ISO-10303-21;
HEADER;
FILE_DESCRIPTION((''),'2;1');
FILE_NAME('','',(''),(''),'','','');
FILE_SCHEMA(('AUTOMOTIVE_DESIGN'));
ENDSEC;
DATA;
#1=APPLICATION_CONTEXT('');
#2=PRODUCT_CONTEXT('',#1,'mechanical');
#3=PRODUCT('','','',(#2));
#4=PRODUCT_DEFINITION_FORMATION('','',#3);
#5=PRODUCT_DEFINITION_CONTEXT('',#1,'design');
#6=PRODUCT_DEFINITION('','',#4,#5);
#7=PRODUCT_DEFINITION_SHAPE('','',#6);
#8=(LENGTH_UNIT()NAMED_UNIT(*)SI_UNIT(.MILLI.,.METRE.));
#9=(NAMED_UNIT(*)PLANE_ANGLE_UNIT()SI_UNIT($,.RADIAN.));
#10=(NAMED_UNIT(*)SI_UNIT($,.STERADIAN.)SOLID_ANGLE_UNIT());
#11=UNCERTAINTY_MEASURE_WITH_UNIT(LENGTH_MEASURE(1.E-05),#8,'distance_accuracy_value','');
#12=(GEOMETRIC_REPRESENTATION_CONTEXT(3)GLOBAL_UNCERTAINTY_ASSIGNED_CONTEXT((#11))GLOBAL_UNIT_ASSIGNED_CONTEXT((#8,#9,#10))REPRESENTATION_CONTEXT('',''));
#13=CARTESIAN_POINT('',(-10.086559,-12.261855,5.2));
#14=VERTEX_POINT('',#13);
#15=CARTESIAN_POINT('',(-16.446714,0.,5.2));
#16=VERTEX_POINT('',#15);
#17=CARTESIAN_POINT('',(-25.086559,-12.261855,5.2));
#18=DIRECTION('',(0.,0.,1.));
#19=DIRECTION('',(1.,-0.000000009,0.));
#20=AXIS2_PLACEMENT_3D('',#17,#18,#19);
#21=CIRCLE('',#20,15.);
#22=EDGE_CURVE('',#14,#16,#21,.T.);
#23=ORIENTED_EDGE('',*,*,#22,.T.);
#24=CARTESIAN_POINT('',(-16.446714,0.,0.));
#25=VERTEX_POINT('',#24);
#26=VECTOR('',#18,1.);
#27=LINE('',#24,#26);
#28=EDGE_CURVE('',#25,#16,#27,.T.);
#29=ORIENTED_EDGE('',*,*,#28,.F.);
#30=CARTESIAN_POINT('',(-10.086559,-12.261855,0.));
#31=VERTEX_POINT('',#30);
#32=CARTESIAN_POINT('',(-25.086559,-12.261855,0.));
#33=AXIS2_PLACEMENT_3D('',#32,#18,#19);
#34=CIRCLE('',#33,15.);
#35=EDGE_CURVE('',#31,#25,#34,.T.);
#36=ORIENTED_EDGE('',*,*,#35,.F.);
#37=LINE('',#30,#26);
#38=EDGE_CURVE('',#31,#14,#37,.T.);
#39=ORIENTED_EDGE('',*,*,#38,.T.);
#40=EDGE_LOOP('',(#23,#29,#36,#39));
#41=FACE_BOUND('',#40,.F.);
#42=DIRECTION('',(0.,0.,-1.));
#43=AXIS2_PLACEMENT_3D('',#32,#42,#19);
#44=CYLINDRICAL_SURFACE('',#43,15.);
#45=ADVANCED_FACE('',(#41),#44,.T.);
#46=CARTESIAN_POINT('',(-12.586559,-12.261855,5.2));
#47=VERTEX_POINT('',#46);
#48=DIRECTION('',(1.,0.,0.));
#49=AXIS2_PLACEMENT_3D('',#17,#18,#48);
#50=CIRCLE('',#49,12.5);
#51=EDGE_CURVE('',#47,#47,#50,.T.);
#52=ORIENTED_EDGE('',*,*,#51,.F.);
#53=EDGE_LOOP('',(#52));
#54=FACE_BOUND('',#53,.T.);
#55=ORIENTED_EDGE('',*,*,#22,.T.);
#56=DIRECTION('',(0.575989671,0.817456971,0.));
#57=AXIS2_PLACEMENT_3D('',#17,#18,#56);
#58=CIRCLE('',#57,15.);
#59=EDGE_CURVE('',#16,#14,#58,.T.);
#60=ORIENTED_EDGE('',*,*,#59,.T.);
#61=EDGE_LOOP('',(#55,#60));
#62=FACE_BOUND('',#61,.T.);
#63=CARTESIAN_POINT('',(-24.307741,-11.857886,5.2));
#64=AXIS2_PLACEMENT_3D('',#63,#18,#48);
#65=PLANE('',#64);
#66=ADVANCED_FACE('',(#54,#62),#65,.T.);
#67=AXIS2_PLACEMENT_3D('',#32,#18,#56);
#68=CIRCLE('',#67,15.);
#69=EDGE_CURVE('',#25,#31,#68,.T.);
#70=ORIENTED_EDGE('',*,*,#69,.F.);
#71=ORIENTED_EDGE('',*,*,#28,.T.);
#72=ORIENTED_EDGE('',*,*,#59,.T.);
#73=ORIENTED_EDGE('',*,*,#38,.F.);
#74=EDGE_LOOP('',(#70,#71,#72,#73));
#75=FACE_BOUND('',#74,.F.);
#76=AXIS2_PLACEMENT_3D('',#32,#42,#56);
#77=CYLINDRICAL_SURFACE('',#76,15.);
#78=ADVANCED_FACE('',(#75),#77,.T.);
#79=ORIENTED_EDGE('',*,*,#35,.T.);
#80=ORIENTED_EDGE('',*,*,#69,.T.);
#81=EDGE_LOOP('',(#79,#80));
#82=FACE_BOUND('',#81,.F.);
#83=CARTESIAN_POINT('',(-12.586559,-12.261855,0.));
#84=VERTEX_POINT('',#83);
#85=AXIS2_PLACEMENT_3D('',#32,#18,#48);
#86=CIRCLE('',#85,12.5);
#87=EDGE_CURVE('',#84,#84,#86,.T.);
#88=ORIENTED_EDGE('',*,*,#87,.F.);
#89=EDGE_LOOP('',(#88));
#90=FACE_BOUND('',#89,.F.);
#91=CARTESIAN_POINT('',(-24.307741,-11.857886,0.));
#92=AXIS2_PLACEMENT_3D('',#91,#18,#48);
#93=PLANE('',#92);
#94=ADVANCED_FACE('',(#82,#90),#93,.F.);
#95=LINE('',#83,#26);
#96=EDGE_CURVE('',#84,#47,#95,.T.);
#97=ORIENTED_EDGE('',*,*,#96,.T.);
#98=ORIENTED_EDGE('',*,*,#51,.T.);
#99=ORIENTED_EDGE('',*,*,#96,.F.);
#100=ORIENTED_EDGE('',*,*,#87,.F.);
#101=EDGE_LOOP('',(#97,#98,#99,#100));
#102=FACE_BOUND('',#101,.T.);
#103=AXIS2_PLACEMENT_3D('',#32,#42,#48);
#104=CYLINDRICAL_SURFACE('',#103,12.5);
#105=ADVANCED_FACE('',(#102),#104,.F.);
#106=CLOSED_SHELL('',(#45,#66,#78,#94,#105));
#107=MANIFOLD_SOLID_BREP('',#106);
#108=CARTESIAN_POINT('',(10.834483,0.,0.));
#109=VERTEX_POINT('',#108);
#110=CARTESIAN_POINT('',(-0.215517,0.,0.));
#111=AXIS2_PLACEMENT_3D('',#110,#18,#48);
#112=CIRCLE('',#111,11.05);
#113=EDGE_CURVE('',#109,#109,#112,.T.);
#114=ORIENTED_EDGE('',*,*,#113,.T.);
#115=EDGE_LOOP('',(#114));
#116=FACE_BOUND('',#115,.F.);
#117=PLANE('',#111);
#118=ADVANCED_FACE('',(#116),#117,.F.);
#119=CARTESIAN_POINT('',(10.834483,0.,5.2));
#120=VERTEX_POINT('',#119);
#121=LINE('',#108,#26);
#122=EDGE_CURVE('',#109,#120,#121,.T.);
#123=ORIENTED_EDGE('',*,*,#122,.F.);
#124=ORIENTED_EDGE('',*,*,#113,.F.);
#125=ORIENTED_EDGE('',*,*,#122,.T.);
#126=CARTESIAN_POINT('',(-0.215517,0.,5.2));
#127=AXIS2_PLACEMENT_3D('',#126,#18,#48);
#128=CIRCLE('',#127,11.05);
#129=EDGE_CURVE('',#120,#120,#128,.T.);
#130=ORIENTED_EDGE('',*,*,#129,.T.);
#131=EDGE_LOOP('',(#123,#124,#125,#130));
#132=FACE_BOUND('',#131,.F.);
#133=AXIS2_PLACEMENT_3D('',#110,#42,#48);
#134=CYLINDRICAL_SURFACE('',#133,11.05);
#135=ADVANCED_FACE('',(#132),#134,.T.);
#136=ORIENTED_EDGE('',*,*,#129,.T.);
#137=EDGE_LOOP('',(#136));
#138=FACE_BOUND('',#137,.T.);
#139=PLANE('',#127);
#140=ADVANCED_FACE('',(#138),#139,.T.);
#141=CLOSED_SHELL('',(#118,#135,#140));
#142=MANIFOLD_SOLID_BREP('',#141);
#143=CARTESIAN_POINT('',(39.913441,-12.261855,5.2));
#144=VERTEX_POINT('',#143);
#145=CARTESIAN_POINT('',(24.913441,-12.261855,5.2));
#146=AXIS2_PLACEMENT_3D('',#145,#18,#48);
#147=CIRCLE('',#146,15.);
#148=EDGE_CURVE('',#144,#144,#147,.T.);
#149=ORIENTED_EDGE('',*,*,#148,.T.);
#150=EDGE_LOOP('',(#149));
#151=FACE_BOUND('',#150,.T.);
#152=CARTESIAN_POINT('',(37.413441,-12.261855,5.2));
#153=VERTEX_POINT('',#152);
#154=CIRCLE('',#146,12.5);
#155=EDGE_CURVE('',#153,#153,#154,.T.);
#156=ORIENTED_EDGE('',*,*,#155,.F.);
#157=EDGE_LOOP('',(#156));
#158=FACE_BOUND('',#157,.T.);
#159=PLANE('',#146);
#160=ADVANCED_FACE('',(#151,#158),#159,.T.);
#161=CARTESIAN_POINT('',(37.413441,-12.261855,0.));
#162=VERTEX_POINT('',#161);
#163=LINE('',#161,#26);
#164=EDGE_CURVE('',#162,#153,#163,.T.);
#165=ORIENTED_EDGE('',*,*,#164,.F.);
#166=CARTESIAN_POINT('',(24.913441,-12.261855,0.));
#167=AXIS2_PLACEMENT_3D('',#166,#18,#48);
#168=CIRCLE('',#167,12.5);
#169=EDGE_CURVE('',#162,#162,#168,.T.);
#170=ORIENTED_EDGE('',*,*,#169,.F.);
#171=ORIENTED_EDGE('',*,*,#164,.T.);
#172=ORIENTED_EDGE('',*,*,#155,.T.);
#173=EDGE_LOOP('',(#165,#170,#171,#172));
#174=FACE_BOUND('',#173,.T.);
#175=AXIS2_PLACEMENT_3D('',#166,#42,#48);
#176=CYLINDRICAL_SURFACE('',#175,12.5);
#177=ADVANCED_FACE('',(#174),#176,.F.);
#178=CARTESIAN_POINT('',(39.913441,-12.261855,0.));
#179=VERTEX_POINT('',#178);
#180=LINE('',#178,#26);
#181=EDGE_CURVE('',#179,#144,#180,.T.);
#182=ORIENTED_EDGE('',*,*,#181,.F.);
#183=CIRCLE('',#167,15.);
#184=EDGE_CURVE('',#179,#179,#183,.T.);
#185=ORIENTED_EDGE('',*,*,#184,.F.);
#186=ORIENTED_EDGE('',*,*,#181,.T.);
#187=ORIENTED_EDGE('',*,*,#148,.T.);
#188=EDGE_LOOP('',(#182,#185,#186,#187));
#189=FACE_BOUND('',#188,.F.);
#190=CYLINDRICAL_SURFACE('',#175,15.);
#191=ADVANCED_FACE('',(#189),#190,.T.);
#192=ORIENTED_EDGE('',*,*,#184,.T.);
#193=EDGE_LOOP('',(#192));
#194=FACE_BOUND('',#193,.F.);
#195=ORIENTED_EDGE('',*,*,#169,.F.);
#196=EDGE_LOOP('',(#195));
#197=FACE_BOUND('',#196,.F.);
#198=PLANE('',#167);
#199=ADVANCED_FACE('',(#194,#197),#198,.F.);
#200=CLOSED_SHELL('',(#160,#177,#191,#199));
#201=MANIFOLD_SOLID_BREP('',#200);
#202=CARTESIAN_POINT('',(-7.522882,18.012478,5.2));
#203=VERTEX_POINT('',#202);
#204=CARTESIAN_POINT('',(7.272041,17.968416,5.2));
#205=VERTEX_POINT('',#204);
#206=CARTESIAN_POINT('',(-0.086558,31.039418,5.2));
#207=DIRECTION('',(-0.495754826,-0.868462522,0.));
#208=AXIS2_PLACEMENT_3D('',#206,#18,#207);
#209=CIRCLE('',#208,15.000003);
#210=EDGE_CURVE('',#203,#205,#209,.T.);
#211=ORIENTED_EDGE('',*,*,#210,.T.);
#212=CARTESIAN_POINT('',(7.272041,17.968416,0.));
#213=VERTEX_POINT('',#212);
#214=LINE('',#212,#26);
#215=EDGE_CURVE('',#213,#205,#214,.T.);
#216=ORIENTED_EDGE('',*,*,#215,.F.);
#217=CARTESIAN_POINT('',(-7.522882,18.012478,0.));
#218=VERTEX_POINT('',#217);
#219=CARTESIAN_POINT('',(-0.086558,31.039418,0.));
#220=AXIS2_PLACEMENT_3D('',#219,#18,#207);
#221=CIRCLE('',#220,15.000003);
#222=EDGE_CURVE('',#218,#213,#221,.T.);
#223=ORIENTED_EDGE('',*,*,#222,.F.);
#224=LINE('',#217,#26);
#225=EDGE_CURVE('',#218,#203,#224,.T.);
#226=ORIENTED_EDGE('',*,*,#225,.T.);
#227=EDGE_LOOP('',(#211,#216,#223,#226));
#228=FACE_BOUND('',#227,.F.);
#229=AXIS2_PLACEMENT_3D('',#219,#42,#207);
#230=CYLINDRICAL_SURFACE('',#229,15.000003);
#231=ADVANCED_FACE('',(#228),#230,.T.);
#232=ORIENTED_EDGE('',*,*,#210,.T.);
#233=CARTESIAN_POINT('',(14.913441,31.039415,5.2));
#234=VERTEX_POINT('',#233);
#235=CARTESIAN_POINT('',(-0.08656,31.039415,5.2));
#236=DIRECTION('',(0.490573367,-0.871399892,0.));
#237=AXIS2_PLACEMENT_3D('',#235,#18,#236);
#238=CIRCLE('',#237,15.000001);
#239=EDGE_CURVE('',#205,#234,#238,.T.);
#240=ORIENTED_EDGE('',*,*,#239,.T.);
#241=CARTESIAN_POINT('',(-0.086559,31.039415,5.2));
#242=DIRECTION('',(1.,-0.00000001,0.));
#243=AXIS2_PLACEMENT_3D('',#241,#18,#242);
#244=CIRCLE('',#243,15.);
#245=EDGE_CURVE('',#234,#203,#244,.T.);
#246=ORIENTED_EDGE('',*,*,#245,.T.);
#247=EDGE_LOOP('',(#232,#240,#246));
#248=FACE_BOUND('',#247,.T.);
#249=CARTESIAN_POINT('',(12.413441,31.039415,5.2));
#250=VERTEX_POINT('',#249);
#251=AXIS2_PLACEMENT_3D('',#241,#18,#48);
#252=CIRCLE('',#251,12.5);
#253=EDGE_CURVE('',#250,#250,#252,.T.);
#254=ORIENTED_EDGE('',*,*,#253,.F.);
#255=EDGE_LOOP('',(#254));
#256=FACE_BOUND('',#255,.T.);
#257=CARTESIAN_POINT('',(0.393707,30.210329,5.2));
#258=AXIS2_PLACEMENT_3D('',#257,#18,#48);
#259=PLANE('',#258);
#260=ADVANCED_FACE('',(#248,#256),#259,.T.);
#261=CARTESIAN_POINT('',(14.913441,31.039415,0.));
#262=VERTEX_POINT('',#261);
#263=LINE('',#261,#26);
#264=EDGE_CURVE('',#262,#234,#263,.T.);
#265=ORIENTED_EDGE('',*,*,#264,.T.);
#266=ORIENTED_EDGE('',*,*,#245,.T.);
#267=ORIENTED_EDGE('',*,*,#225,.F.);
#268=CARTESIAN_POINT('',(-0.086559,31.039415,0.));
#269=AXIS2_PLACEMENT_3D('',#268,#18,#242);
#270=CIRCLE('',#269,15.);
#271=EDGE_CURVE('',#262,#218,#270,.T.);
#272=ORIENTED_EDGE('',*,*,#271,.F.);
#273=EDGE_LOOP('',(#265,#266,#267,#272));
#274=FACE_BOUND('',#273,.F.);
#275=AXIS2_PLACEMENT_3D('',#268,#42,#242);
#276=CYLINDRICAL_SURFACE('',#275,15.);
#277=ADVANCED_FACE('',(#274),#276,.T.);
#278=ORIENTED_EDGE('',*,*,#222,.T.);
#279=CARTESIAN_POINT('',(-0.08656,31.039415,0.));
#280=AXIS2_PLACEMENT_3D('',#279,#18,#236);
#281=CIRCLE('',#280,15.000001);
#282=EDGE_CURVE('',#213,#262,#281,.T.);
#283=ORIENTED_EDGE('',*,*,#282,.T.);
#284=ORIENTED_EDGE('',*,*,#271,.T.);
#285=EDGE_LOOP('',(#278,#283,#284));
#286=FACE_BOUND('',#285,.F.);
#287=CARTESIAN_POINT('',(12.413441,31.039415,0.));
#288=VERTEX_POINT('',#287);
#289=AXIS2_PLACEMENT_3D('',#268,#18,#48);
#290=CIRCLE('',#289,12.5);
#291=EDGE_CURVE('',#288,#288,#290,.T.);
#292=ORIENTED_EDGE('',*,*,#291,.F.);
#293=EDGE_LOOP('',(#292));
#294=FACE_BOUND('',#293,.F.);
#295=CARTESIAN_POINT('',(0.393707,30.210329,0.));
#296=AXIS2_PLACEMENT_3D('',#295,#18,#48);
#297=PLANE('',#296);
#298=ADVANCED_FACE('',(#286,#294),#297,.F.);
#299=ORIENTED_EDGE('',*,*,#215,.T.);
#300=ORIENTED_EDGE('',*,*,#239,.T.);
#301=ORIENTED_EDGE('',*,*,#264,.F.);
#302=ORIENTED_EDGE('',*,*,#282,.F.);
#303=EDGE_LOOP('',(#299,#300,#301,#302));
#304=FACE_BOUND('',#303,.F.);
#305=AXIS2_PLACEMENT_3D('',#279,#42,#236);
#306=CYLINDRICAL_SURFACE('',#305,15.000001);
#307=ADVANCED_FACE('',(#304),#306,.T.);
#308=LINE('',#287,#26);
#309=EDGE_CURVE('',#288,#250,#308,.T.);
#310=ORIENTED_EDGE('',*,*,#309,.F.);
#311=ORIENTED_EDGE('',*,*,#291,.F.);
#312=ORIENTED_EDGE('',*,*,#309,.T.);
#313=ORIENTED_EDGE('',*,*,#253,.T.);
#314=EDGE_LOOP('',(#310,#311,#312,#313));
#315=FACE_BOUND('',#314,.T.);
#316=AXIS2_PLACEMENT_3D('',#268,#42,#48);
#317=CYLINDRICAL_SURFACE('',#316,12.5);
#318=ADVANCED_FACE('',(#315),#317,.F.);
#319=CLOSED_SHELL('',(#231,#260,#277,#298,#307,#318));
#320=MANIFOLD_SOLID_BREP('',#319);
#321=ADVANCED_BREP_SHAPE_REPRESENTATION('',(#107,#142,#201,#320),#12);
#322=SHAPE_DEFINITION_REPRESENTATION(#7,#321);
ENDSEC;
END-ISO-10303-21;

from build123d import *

# Parameters (mm, degrees)
F0_R     = 12.5
F0_R_2   = 15
F0_R_3   = 11.05
F1_DEPTH = 5.2


with BuildPart() as f1:
    # F0 (on Top) → F1 (new body)
    with BuildSketch(Plane.XY):
        with BuildLine():
            ThreePointArc((7.272041, 17.968416), (12.862939, 23.469045), (14.913441, 31.039415))
            ThreePointArc((14.913441, 31.039415), (-7.61833, 44.011401), (-7.522882, 18.012478))
            ThreePointArc((-7.522882, 18.012478), (-0.131231, 16.039482), (7.272041, 17.968416))
        make_face()
        with Locations((-0.086559, 31.039415)):
            Circle(F0_R, mode=Mode.SUBTRACT)
        with BuildLine():
            ThreePointArc((-10.086559, -12.261855), (-11.771198, -5.355252), (-16.446714, 0))
            ThreePointArc((-16.446714, 0), (-38.40192, -19.168458), (-10.086559, -12.261855))
        make_face()
        with Locations((-25.086559, -12.261855)):
            Circle(F0_R, mode=Mode.SUBTRACT)
        with Locations((24.913441, -12.261855)):
            Circle(F0_R_2)
        with Locations((24.913441, -12.261855)):
            Circle(F0_R, mode=Mode.SUBTRACT)
        with Locations((-0.215517, 0)):
            Circle(F0_R_3)
    extrude(amount=F1_DEPTH)


solid = f1.part
